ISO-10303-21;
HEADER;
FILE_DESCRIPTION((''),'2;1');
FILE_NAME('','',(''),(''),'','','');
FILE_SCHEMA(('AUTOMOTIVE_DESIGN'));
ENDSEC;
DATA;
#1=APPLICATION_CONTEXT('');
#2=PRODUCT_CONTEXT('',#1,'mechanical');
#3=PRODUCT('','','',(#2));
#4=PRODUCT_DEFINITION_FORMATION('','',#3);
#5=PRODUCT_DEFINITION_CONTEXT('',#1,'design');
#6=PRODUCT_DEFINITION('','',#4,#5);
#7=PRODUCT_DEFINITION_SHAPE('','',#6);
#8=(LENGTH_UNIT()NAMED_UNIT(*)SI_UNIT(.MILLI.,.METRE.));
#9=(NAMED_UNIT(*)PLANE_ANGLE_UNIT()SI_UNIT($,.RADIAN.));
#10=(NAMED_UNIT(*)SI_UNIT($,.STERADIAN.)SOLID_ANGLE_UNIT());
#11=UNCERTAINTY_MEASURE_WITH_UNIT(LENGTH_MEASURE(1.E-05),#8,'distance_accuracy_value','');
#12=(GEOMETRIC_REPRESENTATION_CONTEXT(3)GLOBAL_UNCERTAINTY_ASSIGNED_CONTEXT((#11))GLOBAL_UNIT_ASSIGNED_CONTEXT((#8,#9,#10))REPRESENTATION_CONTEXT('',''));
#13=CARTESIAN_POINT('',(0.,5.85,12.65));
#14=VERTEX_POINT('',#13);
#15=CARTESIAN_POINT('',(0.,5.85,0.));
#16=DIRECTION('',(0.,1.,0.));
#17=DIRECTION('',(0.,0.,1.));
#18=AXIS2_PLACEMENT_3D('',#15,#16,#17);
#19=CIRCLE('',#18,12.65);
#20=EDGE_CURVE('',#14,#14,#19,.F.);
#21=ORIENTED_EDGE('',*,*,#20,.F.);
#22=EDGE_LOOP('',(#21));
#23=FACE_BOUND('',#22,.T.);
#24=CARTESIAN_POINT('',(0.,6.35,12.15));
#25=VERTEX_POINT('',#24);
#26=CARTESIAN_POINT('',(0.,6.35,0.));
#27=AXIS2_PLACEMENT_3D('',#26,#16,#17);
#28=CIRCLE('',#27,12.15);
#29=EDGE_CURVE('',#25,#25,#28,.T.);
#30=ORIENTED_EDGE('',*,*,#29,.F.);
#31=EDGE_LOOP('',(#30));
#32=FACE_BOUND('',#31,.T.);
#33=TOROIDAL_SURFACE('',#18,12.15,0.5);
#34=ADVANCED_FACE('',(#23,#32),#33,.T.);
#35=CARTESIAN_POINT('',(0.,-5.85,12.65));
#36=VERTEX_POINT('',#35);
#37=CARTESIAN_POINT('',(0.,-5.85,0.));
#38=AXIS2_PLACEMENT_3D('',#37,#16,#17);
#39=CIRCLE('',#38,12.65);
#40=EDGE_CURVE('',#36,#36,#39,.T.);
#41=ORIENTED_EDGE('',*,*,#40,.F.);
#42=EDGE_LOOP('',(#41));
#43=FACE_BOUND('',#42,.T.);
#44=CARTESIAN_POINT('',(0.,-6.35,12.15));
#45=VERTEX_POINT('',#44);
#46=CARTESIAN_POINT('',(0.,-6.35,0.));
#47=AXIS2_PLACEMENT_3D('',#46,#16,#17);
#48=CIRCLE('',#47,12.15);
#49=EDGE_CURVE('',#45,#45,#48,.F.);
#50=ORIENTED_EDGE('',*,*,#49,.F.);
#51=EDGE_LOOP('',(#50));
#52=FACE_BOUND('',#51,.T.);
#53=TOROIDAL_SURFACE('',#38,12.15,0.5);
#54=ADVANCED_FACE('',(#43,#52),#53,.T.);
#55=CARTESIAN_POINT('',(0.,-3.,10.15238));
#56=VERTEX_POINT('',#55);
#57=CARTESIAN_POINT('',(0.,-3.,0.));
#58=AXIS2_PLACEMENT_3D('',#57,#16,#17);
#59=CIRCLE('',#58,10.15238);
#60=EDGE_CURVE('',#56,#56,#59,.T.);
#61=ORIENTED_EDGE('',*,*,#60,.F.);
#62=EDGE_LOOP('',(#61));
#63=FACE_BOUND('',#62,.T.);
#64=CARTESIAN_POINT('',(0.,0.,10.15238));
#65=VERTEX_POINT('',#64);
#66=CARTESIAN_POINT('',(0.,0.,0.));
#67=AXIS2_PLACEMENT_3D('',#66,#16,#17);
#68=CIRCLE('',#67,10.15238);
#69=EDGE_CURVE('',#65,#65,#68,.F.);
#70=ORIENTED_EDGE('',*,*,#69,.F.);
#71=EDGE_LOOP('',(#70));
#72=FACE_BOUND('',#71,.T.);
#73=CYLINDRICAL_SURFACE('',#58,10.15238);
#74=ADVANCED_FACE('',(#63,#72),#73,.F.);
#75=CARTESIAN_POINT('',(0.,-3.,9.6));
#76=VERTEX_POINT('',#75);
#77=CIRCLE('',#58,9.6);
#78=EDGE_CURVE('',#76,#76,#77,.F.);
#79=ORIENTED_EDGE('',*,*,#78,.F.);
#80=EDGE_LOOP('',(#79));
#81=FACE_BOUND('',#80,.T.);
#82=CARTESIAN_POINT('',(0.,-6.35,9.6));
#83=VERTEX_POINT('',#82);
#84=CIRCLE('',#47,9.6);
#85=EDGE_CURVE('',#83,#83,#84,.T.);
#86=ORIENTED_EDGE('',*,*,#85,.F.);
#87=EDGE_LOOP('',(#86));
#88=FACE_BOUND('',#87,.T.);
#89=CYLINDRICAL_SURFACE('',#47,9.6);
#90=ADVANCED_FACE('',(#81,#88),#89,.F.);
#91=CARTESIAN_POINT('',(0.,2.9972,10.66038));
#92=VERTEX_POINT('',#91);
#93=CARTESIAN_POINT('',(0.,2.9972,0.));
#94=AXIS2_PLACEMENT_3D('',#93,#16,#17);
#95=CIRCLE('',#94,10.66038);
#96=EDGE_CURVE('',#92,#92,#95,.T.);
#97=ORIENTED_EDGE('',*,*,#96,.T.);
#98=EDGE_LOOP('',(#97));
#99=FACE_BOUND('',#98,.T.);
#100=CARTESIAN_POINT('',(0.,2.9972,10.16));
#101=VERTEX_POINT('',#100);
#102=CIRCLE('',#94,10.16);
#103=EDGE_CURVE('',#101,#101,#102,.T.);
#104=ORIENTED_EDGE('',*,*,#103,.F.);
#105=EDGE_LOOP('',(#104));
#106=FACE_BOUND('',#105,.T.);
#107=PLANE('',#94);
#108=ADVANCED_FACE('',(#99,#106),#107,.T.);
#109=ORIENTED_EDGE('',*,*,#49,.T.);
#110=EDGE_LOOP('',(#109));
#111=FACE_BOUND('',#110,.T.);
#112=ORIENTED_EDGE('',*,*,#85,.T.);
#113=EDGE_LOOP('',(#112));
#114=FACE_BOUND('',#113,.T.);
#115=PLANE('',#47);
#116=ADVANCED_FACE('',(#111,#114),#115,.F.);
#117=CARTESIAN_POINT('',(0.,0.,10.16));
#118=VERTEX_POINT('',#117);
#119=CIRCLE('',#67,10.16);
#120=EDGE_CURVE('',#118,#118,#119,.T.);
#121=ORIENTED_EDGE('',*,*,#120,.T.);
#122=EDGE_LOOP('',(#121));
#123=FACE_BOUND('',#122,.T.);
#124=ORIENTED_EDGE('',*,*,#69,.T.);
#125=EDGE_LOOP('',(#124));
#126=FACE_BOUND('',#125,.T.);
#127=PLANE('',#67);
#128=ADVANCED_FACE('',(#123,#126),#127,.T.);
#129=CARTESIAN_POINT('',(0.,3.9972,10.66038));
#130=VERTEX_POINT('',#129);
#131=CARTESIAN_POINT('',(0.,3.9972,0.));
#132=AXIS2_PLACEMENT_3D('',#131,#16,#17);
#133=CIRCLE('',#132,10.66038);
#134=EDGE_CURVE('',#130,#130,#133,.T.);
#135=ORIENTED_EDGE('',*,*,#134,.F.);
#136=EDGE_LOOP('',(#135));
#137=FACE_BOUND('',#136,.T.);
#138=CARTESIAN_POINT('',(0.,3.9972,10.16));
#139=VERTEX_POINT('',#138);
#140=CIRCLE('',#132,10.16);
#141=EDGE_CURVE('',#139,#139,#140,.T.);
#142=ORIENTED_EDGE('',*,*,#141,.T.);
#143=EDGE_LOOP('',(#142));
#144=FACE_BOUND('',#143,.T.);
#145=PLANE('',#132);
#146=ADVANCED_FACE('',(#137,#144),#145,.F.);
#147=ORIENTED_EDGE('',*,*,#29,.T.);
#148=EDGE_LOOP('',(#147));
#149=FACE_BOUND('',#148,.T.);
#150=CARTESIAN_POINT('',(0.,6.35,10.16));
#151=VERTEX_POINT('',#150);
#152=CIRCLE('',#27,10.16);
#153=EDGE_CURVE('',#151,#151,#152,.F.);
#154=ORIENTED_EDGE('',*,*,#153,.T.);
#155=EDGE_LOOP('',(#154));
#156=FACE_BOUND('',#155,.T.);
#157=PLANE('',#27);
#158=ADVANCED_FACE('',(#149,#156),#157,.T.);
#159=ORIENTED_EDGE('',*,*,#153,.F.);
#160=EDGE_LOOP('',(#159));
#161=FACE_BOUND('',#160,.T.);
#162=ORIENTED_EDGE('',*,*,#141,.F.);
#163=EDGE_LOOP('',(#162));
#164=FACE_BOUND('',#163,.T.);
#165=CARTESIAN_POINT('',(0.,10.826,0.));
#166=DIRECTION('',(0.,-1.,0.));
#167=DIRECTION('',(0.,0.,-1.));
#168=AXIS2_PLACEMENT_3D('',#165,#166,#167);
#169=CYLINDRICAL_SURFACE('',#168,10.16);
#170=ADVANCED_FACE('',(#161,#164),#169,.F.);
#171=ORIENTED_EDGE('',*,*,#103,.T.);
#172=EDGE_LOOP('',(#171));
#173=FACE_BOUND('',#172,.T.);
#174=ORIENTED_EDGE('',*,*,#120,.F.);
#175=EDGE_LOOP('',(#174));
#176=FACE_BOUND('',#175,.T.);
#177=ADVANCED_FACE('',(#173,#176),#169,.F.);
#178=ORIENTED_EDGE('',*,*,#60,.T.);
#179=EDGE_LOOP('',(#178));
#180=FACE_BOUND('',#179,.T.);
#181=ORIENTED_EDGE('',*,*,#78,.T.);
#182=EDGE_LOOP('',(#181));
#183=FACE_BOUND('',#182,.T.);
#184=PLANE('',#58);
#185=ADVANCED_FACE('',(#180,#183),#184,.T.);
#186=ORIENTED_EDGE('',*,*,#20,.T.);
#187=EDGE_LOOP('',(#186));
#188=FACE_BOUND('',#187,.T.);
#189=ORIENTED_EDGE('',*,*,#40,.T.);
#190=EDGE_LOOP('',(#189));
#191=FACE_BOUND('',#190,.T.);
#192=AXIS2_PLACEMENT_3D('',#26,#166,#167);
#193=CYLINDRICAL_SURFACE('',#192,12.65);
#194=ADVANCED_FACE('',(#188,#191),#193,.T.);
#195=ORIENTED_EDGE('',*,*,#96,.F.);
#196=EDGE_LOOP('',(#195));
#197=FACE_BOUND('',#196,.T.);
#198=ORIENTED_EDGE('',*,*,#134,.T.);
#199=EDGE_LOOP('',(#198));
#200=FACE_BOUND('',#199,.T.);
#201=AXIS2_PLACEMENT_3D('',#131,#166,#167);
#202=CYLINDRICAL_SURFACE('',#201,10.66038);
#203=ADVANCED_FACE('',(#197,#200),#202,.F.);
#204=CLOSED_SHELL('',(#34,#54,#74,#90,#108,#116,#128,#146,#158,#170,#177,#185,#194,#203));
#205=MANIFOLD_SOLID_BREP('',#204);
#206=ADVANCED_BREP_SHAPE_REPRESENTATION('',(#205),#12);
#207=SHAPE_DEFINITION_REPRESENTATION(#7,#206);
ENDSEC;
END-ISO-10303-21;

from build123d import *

# Parameters (mm, degrees)
SKETCH1_R               = 12.65
BOSS_EXTRUDE1_DEPTH     = 6.35
SKETCH2_R               = 9.6
CUT_EXTRUDE1_DEPTH      = 7.35
CUT_EXTRUDE1_DEPTH_BACK = 7.35
SKETCH3_R               = 10.15238
CUT_EXTRUDE2_DEPTH      = 3
SKETCH4_R               = 10.16
CUT_EXTRUDE3_DEPTH      = 10.826
SKETCH6_R               = 10.66038
CUT_EXTRUDE4_DEPTH      = 1
FILLET1_R               = 0.5


with BuildPart() as part:
    # Sketch1 → Boss-Extrude1 (new body, symmetric)
    with BuildSketch(Plane(origin=(0, 0, 0), x_dir=(1, 0, 0), z_dir=(0, 1, 0))):
        Circle(SKETCH1_R)
    extrude(amount=BOSS_EXTRUDE1_DEPTH, both=True)

    # Sketch2 → Cut-Extrude1 (cut, two sides)
    with BuildSketch(Plane(origin=(0, 0, 0), x_dir=(1, 0, 0), z_dir=(0, 1, 0))) as cut_extrude1_sk:
        Circle(SKETCH2_R)
    extrude(amount=CUT_EXTRUDE1_DEPTH, mode=Mode.SUBTRACT)
    extrude(cut_extrude1_sk.sketch, amount=-CUT_EXTRUDE1_DEPTH_BACK, mode=Mode.SUBTRACT)

    # Sketch3 → Cut-Extrude2 (cut, symmetric)
    with BuildSketch(Plane(origin=(0, 0, 0), x_dir=(1, 0, 0), z_dir=(0, 1, 0))):
        Circle(SKETCH3_R)
    extrude(amount=CUT_EXTRUDE2_DEPTH, both=True, mode=Mode.SUBTRACT)

    # Sketch4 → Cut-Extrude3 (cut)
    with BuildSketch(Plane(origin=(0, 0, 0), x_dir=(1, 0, 0), z_dir=(0, 1, 0))):
        Circle(SKETCH4_R)
    extrude(amount=CUT_EXTRUDE3_DEPTH, mode=Mode.SUBTRACT)

    # Sketch6 → Cut-Extrude4 (cut)
    with BuildSketch(Plane(origin=(0, 2.9972, 0), x_dir=(1, 0, 0), z_dir=(0, 1, 0))):
        Circle(SKETCH6_R)
    extrude(amount=CUT_EXTRUDE4_DEPTH, mode=Mode.SUBTRACT)

    # Fillet1
    fillet1_edges = [part.edges().sort_by_distance(p)[0] for p in [
        (-12.65, -6.35, 0),
        (-12.65, 6.35, 0),
    ]]
    fillet(fillet1_edges, radius=FILLET1_R)


solid = part.part
